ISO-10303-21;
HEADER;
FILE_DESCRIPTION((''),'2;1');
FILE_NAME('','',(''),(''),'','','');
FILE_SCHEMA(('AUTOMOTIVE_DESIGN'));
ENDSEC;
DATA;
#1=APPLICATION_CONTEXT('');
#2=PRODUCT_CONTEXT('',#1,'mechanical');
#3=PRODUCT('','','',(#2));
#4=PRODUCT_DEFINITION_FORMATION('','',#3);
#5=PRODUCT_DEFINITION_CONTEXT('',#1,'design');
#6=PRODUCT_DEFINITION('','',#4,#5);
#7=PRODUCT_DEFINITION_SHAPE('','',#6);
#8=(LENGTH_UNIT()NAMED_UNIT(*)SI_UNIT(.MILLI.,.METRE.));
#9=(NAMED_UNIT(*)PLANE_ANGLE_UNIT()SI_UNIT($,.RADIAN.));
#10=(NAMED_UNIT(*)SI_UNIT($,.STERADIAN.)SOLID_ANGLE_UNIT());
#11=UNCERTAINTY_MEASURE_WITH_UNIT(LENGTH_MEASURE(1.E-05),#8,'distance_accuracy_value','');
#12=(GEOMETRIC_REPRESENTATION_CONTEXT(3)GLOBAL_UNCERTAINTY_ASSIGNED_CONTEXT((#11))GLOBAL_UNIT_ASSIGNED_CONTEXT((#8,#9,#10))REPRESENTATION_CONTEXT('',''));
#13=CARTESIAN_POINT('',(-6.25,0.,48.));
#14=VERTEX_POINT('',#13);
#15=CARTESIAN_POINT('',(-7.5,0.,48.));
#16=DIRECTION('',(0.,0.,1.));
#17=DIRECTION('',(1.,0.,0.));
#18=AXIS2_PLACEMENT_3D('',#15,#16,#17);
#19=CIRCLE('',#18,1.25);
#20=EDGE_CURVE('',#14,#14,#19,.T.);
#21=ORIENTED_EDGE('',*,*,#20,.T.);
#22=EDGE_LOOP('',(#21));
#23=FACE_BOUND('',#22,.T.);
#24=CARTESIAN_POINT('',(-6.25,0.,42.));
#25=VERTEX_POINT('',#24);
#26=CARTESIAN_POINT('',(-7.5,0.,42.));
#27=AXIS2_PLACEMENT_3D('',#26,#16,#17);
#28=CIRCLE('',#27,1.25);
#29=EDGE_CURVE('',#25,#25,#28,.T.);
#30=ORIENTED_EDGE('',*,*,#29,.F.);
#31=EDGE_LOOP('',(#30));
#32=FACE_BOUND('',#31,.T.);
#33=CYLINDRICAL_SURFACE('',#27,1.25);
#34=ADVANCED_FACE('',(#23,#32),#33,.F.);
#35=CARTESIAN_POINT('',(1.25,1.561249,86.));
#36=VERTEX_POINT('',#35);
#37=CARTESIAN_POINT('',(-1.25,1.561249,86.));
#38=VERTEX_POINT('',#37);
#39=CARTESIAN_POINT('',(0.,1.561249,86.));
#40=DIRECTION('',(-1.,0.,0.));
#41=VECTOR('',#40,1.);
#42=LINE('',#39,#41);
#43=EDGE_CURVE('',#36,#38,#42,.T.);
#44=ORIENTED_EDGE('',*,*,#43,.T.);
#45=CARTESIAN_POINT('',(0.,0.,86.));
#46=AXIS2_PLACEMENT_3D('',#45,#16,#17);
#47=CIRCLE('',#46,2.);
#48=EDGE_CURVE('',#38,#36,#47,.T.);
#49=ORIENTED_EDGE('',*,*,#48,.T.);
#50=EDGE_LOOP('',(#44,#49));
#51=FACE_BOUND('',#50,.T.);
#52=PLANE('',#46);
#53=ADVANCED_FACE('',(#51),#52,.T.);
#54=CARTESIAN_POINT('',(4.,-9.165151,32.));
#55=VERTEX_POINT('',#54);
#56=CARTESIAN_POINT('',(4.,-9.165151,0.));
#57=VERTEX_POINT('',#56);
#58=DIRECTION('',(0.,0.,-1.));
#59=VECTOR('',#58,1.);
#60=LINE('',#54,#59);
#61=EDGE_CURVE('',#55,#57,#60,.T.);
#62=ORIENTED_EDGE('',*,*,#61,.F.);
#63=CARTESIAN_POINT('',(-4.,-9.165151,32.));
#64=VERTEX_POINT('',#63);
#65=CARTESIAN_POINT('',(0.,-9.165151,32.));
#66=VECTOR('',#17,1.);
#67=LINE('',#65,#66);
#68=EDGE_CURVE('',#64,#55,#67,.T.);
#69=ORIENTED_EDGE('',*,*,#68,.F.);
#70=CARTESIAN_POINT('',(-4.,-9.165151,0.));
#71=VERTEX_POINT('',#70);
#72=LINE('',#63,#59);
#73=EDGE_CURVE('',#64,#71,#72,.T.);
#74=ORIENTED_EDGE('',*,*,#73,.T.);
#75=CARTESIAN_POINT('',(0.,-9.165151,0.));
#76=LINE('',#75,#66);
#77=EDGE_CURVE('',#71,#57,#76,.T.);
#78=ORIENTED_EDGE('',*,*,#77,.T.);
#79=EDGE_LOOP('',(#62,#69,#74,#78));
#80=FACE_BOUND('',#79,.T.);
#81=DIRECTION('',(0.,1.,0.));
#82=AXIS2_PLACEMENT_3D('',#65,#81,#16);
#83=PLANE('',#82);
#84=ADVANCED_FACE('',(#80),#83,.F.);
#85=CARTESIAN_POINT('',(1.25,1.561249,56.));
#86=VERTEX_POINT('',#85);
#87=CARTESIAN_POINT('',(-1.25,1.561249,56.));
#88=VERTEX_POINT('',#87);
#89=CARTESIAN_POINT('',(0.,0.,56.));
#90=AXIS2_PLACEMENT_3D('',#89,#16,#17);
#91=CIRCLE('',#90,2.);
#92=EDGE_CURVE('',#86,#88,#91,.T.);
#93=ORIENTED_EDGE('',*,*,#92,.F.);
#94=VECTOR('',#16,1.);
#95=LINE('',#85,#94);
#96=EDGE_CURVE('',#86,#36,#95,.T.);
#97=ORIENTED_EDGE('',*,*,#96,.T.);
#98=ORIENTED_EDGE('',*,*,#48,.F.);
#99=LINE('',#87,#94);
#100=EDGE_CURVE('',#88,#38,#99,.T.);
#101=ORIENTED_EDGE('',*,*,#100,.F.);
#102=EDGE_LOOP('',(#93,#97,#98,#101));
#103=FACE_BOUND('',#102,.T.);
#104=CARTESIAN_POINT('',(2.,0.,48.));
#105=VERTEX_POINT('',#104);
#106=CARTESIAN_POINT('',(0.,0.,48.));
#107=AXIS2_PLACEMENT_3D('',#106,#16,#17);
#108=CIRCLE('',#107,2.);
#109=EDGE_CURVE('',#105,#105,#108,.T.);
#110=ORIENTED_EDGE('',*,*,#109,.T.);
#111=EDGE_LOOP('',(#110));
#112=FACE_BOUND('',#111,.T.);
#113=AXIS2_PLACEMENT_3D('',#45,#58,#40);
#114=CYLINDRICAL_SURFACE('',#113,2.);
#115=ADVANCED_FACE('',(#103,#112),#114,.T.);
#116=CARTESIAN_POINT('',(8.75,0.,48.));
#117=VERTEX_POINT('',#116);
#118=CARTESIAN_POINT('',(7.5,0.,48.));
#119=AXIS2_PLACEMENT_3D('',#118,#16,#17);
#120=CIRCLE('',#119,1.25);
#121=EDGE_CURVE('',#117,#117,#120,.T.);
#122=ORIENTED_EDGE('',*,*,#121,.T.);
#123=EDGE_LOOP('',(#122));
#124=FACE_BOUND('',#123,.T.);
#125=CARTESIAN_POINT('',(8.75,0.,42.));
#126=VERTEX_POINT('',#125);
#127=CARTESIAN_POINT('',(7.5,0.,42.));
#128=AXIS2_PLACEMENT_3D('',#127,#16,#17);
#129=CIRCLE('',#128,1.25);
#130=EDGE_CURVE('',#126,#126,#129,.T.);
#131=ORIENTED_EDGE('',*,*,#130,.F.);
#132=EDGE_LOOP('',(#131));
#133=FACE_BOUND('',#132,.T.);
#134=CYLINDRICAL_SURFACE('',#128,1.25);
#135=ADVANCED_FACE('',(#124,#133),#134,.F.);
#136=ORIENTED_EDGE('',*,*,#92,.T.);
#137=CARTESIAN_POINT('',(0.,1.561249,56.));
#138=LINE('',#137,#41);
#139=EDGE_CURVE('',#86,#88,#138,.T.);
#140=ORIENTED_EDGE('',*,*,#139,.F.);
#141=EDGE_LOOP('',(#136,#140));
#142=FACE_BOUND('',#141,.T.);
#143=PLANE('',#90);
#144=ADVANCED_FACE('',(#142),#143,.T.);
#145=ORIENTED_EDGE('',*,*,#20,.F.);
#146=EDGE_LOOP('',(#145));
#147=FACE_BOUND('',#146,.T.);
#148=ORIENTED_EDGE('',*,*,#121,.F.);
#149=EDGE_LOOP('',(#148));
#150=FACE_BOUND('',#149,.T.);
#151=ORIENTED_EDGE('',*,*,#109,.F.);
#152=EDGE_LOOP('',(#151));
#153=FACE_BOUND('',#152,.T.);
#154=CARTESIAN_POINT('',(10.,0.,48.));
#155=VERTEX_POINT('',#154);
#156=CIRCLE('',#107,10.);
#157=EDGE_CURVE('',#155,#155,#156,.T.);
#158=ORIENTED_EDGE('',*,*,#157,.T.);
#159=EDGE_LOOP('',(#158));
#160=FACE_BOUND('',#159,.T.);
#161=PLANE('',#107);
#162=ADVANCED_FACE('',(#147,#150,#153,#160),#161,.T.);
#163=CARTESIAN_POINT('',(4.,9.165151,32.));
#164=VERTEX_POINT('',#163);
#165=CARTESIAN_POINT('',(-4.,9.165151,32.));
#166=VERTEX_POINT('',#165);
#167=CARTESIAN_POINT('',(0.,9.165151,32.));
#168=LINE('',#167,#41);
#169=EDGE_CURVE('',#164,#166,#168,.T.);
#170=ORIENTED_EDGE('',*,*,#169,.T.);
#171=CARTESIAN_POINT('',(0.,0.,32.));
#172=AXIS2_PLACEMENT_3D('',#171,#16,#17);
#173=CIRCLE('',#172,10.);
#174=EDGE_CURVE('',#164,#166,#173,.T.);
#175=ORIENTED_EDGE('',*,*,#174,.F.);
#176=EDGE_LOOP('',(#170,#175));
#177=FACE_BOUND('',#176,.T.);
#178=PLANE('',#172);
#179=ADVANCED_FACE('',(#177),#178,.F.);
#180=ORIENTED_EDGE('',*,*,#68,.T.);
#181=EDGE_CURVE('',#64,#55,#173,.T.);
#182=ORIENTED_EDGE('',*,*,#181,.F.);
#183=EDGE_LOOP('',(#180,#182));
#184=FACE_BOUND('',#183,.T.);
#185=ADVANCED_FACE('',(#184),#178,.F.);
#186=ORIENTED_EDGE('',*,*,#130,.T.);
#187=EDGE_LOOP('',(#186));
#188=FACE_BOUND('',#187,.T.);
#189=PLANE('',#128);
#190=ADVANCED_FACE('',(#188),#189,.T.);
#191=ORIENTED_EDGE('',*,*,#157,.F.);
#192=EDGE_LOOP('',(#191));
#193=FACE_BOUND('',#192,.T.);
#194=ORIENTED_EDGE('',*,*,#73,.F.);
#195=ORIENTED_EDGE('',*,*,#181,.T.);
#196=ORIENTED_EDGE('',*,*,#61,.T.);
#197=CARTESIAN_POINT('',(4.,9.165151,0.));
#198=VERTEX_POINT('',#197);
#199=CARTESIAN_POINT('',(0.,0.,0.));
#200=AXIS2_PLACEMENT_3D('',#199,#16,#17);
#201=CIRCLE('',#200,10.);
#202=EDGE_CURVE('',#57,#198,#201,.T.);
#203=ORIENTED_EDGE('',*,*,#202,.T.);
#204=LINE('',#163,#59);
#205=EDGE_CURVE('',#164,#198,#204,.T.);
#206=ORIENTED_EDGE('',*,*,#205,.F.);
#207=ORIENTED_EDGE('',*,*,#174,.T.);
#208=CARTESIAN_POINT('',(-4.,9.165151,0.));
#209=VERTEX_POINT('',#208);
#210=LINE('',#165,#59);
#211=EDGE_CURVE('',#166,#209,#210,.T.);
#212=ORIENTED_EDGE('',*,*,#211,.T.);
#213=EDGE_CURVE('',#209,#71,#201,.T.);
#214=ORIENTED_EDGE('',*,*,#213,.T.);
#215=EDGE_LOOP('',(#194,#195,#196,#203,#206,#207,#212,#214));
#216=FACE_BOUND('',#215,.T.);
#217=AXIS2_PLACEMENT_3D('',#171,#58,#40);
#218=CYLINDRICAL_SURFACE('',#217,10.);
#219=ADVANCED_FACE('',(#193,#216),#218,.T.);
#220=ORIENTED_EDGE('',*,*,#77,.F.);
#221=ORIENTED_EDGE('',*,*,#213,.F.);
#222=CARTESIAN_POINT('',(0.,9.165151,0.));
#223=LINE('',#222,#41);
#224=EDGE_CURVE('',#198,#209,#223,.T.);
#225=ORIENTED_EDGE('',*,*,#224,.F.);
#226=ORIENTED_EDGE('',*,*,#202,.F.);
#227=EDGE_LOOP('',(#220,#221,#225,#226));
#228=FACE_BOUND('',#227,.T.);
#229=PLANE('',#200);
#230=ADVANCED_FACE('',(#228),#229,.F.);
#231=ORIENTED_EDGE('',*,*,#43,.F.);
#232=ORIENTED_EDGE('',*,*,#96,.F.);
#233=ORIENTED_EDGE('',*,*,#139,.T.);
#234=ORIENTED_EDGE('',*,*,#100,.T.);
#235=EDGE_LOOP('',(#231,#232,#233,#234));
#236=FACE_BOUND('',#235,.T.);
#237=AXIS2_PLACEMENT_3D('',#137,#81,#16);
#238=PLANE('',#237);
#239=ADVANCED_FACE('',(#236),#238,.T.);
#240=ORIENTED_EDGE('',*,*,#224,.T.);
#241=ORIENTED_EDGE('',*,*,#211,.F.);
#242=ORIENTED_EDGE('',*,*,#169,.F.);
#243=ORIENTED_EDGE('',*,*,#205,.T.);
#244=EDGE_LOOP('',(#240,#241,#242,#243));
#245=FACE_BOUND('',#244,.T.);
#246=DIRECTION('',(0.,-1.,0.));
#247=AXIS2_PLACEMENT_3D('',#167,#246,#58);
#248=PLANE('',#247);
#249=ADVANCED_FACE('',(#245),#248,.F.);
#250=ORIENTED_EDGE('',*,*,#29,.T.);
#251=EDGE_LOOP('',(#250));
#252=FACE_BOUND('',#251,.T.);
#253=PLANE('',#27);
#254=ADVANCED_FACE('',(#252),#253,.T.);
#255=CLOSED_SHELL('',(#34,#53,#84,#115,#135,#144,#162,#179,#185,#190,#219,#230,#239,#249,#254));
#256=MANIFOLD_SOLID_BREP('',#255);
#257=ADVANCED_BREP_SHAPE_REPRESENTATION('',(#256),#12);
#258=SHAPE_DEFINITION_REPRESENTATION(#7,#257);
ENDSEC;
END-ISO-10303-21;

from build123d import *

# Parameters (mm, degrees)
SKETCH1_R           = 10
BOSS_EXTRUDE1_DEPTH = 32
CUT_EXTRUDE1_DEPTH  = 32
SKETCH4_R           = 10
BOSS_EXTRUDE2_DEPTH = 16
SKETCH5_R           = 1.25
CUT_EXTRUDE2_DEPTH  = 6
SKETCH5_3_R         = 2
BOSS_EXTRUDE3_DEPTH = 38
CUT_EXTRUDE3_START  = -30
CUT_EXTRUDE3_DEPTH  = 30


with BuildPart() as part:
    # Sketch1 → Boss-Extrude1 (new body)
    with BuildSketch(Plane.XY):
        Circle(SKETCH1_R)
    extrude(amount=BOSS_EXTRUDE1_DEPTH)

    # Sketch3 → Cut-Extrude1 (cut)
    with BuildSketch(Plane(origin=(0, 0, 0), x_dir=(-1, 0, 0), z_dir=(0, 0, -1))):
        with BuildLine():
            ThreePointArc((4, 9.16515139), (0, 10), (-4, 9.16515139))
            Line((-4, 9.16515139), (4, 9.16515139))
        make_face()
        with BuildLine():
            Line((4, -9.16515139), (-4, -9.16515139))
            ThreePointArc((-4, -9.16515139), (0, -10), (4, -9.16515139))
        make_face()
    extrude(amount=-CUT_EXTRUDE1_DEPTH, mode=Mode.SUBTRACT)

    # Sketch4 → Boss-Extrude2 (add)
    with BuildSketch(Plane.XY.offset(32)):
        Circle(SKETCH4_R)
    extrude(amount=BOSS_EXTRUDE2_DEPTH)

    # Sketch5 → Cut-Extrude2 (cut)
    with BuildSketch(Plane.XY.offset(48)):
        with Locations((-7.5, 0)):
            Circle(SKETCH5_R)
        with Locations((7.5, 0)):
            Circle(SKETCH5_R)
    extrude(amount=-CUT_EXTRUDE2_DEPTH, mode=Mode.SUBTRACT)

    # Sketch5<3> → Boss-Extrude3 (add)
    with BuildSketch(Plane.XY.offset(48)):
        Circle(SKETCH5_3_R)
    extrude(amount=BOSS_EXTRUDE3_DEPTH)

    # Sketch6 → Cut-Extrude3 (cut)
    with BuildSketch(Plane.XY.offset(86).offset(CUT_EXTRUDE3_START)):
        with BuildLine():
            Line((-1.25, 1.5612495), (1.25, 1.5612495))
            ThreePointArc((1.25, 1.5612495), (0, 2), (-1.25, 1.5612495))
        make_face()
    extrude(amount=CUT_EXTRUDE3_DEPTH, mode=Mode.SUBTRACT)


solid = part.part
